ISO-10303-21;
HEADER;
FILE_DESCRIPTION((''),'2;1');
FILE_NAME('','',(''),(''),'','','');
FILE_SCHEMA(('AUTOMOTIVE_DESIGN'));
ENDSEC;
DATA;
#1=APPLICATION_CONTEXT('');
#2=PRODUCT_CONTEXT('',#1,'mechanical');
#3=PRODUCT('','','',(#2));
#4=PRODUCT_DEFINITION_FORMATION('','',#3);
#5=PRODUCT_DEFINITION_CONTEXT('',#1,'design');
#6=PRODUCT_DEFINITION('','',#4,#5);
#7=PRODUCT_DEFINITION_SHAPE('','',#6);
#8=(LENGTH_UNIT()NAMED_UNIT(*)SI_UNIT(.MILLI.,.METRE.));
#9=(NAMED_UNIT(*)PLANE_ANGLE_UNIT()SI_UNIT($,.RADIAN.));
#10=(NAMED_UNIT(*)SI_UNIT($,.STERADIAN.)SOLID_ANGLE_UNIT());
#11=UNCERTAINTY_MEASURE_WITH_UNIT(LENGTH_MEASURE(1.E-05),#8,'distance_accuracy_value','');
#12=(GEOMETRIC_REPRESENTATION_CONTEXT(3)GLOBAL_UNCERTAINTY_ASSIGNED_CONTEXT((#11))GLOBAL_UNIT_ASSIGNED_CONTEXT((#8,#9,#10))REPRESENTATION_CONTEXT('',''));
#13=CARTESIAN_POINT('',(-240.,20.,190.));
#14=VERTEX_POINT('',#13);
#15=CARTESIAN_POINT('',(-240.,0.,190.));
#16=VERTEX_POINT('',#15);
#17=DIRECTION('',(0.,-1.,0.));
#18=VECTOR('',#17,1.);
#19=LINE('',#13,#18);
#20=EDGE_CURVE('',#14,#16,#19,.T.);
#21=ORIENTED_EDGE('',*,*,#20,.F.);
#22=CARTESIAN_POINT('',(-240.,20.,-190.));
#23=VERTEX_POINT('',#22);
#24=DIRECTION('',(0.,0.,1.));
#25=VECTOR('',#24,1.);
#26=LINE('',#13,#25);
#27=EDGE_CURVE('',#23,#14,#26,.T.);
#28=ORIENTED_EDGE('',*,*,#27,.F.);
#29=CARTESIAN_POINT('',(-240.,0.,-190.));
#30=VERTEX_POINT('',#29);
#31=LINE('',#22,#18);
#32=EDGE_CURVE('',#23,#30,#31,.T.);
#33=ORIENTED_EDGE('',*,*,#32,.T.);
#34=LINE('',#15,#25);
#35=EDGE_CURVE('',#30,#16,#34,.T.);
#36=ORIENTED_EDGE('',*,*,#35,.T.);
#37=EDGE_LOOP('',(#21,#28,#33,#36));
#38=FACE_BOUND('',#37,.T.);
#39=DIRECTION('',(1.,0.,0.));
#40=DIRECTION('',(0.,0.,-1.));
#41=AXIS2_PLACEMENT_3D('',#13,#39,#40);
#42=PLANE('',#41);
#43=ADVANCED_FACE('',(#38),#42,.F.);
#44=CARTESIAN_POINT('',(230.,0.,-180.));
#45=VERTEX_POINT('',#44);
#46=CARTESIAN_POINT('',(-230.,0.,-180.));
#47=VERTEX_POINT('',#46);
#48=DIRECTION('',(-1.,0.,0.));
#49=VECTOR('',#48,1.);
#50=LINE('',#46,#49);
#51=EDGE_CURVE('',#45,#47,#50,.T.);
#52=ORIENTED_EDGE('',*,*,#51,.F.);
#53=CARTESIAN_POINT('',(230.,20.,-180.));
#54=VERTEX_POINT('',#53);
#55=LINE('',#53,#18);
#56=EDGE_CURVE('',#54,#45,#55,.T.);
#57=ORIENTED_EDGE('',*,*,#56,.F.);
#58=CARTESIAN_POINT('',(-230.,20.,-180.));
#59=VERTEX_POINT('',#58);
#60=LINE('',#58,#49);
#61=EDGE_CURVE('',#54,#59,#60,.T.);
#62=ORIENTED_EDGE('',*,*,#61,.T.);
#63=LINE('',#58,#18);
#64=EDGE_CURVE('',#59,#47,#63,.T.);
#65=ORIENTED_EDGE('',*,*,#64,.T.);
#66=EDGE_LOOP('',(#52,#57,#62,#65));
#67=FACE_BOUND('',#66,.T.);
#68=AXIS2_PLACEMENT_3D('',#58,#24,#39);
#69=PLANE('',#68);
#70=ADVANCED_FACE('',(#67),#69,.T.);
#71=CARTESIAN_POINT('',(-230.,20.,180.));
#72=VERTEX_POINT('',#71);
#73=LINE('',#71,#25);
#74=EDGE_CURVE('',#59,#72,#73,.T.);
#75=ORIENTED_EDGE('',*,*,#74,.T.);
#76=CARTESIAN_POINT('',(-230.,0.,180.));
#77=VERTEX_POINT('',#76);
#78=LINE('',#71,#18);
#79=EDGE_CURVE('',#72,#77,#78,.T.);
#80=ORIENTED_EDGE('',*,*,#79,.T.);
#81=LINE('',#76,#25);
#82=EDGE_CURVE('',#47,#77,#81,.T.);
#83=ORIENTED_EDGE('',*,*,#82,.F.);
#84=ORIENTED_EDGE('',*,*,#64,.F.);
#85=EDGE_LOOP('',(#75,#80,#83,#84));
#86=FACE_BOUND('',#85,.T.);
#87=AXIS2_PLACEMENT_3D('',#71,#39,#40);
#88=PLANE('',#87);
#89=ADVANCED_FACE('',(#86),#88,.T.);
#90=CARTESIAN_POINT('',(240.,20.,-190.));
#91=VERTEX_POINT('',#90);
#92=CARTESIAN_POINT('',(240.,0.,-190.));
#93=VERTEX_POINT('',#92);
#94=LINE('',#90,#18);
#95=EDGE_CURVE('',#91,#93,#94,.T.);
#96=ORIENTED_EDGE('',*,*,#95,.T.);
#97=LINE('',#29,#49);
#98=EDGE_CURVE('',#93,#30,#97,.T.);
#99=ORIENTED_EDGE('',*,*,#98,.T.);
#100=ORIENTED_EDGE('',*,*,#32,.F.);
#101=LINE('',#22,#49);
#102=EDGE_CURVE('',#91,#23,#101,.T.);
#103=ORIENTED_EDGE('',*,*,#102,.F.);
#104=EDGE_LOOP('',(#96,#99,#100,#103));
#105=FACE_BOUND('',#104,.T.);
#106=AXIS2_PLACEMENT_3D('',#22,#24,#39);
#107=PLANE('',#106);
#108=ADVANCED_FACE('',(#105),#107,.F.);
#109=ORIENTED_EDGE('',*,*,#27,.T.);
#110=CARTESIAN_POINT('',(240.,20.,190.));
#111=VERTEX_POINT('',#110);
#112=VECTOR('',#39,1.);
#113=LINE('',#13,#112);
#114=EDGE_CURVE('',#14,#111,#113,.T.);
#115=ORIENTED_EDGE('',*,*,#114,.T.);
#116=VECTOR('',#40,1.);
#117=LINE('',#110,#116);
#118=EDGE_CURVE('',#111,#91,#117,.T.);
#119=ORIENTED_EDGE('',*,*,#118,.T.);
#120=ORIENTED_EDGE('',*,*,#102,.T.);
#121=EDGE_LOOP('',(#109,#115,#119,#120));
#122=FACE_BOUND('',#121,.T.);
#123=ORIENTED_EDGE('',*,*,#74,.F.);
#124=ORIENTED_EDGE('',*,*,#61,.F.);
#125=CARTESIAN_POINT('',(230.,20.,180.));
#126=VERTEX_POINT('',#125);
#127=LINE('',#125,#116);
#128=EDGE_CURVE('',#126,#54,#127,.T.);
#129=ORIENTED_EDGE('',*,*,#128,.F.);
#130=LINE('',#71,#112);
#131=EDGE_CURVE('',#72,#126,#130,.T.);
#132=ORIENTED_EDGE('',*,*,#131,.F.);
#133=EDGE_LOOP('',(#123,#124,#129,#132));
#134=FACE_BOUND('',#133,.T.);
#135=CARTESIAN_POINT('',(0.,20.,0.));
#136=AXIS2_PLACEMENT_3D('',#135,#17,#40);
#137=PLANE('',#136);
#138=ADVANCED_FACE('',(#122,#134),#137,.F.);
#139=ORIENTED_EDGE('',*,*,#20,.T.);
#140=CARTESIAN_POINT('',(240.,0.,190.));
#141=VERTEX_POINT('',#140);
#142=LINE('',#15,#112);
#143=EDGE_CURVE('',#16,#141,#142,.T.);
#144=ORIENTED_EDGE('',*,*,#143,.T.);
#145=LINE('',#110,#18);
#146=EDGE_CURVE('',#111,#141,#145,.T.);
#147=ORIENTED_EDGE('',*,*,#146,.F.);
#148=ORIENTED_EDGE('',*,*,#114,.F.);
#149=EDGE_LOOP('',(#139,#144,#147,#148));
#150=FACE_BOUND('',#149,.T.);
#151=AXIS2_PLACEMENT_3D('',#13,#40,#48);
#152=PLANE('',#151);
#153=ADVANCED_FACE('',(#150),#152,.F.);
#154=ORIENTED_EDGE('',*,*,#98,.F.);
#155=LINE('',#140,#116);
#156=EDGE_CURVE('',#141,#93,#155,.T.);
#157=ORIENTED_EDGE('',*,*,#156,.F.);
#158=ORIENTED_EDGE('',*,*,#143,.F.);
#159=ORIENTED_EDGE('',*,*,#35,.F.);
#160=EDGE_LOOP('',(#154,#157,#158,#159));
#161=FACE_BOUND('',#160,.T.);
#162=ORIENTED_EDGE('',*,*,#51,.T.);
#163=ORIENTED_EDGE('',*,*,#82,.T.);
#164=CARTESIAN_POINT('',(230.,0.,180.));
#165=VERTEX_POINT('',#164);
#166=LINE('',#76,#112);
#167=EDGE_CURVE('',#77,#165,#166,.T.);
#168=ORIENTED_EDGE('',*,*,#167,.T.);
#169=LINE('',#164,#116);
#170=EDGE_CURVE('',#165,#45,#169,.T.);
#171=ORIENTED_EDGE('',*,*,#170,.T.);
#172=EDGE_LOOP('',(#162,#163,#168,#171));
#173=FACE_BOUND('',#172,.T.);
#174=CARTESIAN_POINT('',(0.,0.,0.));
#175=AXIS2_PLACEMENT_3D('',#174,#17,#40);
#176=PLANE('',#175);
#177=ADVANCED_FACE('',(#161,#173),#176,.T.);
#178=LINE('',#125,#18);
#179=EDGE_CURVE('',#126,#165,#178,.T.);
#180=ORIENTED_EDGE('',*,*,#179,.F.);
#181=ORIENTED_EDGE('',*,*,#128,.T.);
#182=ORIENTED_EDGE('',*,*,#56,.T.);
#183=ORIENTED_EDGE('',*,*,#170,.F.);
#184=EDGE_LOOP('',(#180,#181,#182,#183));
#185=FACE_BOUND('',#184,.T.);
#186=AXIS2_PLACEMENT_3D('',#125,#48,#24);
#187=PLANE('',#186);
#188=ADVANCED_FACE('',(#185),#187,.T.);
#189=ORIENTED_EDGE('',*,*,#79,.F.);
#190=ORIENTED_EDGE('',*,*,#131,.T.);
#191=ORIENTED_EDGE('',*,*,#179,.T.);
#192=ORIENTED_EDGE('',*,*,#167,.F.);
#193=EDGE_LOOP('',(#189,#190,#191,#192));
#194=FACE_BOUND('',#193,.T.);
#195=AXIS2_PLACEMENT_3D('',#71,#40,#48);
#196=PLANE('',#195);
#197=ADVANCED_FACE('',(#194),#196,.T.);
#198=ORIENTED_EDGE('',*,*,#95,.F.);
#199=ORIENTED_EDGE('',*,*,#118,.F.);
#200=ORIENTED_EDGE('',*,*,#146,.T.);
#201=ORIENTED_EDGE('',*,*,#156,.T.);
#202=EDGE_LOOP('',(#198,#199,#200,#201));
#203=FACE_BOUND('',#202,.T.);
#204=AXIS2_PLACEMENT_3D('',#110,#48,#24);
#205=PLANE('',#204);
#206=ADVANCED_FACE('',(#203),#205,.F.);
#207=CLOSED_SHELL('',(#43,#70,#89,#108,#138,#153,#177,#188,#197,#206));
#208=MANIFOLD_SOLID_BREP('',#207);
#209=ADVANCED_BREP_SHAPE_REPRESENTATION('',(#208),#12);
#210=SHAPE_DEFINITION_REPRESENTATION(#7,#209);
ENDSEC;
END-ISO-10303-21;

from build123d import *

# Parameters (mm, degrees)
SKETCH1_W           = 480
SKETCH1_H           = 380
SKETCH1_W_2         = 460
SKETCH1_H_2         = 360
BOSS_EXTRUDE1_DEPTH = 20


with BuildPart() as part:
    # Sketch1 → Boss-Extrude1 (new body)
    with BuildSketch(Plane(origin=(0, 0, 0), x_dir=(1, 0, 0), z_dir=(0, 1, 0))):
        Rectangle(SKETCH1_W, SKETCH1_H)
        Rectangle(SKETCH1_W_2, SKETCH1_H_2, mode=Mode.SUBTRACT)
    extrude(amount=BOSS_EXTRUDE1_DEPTH)


solid = part.part
